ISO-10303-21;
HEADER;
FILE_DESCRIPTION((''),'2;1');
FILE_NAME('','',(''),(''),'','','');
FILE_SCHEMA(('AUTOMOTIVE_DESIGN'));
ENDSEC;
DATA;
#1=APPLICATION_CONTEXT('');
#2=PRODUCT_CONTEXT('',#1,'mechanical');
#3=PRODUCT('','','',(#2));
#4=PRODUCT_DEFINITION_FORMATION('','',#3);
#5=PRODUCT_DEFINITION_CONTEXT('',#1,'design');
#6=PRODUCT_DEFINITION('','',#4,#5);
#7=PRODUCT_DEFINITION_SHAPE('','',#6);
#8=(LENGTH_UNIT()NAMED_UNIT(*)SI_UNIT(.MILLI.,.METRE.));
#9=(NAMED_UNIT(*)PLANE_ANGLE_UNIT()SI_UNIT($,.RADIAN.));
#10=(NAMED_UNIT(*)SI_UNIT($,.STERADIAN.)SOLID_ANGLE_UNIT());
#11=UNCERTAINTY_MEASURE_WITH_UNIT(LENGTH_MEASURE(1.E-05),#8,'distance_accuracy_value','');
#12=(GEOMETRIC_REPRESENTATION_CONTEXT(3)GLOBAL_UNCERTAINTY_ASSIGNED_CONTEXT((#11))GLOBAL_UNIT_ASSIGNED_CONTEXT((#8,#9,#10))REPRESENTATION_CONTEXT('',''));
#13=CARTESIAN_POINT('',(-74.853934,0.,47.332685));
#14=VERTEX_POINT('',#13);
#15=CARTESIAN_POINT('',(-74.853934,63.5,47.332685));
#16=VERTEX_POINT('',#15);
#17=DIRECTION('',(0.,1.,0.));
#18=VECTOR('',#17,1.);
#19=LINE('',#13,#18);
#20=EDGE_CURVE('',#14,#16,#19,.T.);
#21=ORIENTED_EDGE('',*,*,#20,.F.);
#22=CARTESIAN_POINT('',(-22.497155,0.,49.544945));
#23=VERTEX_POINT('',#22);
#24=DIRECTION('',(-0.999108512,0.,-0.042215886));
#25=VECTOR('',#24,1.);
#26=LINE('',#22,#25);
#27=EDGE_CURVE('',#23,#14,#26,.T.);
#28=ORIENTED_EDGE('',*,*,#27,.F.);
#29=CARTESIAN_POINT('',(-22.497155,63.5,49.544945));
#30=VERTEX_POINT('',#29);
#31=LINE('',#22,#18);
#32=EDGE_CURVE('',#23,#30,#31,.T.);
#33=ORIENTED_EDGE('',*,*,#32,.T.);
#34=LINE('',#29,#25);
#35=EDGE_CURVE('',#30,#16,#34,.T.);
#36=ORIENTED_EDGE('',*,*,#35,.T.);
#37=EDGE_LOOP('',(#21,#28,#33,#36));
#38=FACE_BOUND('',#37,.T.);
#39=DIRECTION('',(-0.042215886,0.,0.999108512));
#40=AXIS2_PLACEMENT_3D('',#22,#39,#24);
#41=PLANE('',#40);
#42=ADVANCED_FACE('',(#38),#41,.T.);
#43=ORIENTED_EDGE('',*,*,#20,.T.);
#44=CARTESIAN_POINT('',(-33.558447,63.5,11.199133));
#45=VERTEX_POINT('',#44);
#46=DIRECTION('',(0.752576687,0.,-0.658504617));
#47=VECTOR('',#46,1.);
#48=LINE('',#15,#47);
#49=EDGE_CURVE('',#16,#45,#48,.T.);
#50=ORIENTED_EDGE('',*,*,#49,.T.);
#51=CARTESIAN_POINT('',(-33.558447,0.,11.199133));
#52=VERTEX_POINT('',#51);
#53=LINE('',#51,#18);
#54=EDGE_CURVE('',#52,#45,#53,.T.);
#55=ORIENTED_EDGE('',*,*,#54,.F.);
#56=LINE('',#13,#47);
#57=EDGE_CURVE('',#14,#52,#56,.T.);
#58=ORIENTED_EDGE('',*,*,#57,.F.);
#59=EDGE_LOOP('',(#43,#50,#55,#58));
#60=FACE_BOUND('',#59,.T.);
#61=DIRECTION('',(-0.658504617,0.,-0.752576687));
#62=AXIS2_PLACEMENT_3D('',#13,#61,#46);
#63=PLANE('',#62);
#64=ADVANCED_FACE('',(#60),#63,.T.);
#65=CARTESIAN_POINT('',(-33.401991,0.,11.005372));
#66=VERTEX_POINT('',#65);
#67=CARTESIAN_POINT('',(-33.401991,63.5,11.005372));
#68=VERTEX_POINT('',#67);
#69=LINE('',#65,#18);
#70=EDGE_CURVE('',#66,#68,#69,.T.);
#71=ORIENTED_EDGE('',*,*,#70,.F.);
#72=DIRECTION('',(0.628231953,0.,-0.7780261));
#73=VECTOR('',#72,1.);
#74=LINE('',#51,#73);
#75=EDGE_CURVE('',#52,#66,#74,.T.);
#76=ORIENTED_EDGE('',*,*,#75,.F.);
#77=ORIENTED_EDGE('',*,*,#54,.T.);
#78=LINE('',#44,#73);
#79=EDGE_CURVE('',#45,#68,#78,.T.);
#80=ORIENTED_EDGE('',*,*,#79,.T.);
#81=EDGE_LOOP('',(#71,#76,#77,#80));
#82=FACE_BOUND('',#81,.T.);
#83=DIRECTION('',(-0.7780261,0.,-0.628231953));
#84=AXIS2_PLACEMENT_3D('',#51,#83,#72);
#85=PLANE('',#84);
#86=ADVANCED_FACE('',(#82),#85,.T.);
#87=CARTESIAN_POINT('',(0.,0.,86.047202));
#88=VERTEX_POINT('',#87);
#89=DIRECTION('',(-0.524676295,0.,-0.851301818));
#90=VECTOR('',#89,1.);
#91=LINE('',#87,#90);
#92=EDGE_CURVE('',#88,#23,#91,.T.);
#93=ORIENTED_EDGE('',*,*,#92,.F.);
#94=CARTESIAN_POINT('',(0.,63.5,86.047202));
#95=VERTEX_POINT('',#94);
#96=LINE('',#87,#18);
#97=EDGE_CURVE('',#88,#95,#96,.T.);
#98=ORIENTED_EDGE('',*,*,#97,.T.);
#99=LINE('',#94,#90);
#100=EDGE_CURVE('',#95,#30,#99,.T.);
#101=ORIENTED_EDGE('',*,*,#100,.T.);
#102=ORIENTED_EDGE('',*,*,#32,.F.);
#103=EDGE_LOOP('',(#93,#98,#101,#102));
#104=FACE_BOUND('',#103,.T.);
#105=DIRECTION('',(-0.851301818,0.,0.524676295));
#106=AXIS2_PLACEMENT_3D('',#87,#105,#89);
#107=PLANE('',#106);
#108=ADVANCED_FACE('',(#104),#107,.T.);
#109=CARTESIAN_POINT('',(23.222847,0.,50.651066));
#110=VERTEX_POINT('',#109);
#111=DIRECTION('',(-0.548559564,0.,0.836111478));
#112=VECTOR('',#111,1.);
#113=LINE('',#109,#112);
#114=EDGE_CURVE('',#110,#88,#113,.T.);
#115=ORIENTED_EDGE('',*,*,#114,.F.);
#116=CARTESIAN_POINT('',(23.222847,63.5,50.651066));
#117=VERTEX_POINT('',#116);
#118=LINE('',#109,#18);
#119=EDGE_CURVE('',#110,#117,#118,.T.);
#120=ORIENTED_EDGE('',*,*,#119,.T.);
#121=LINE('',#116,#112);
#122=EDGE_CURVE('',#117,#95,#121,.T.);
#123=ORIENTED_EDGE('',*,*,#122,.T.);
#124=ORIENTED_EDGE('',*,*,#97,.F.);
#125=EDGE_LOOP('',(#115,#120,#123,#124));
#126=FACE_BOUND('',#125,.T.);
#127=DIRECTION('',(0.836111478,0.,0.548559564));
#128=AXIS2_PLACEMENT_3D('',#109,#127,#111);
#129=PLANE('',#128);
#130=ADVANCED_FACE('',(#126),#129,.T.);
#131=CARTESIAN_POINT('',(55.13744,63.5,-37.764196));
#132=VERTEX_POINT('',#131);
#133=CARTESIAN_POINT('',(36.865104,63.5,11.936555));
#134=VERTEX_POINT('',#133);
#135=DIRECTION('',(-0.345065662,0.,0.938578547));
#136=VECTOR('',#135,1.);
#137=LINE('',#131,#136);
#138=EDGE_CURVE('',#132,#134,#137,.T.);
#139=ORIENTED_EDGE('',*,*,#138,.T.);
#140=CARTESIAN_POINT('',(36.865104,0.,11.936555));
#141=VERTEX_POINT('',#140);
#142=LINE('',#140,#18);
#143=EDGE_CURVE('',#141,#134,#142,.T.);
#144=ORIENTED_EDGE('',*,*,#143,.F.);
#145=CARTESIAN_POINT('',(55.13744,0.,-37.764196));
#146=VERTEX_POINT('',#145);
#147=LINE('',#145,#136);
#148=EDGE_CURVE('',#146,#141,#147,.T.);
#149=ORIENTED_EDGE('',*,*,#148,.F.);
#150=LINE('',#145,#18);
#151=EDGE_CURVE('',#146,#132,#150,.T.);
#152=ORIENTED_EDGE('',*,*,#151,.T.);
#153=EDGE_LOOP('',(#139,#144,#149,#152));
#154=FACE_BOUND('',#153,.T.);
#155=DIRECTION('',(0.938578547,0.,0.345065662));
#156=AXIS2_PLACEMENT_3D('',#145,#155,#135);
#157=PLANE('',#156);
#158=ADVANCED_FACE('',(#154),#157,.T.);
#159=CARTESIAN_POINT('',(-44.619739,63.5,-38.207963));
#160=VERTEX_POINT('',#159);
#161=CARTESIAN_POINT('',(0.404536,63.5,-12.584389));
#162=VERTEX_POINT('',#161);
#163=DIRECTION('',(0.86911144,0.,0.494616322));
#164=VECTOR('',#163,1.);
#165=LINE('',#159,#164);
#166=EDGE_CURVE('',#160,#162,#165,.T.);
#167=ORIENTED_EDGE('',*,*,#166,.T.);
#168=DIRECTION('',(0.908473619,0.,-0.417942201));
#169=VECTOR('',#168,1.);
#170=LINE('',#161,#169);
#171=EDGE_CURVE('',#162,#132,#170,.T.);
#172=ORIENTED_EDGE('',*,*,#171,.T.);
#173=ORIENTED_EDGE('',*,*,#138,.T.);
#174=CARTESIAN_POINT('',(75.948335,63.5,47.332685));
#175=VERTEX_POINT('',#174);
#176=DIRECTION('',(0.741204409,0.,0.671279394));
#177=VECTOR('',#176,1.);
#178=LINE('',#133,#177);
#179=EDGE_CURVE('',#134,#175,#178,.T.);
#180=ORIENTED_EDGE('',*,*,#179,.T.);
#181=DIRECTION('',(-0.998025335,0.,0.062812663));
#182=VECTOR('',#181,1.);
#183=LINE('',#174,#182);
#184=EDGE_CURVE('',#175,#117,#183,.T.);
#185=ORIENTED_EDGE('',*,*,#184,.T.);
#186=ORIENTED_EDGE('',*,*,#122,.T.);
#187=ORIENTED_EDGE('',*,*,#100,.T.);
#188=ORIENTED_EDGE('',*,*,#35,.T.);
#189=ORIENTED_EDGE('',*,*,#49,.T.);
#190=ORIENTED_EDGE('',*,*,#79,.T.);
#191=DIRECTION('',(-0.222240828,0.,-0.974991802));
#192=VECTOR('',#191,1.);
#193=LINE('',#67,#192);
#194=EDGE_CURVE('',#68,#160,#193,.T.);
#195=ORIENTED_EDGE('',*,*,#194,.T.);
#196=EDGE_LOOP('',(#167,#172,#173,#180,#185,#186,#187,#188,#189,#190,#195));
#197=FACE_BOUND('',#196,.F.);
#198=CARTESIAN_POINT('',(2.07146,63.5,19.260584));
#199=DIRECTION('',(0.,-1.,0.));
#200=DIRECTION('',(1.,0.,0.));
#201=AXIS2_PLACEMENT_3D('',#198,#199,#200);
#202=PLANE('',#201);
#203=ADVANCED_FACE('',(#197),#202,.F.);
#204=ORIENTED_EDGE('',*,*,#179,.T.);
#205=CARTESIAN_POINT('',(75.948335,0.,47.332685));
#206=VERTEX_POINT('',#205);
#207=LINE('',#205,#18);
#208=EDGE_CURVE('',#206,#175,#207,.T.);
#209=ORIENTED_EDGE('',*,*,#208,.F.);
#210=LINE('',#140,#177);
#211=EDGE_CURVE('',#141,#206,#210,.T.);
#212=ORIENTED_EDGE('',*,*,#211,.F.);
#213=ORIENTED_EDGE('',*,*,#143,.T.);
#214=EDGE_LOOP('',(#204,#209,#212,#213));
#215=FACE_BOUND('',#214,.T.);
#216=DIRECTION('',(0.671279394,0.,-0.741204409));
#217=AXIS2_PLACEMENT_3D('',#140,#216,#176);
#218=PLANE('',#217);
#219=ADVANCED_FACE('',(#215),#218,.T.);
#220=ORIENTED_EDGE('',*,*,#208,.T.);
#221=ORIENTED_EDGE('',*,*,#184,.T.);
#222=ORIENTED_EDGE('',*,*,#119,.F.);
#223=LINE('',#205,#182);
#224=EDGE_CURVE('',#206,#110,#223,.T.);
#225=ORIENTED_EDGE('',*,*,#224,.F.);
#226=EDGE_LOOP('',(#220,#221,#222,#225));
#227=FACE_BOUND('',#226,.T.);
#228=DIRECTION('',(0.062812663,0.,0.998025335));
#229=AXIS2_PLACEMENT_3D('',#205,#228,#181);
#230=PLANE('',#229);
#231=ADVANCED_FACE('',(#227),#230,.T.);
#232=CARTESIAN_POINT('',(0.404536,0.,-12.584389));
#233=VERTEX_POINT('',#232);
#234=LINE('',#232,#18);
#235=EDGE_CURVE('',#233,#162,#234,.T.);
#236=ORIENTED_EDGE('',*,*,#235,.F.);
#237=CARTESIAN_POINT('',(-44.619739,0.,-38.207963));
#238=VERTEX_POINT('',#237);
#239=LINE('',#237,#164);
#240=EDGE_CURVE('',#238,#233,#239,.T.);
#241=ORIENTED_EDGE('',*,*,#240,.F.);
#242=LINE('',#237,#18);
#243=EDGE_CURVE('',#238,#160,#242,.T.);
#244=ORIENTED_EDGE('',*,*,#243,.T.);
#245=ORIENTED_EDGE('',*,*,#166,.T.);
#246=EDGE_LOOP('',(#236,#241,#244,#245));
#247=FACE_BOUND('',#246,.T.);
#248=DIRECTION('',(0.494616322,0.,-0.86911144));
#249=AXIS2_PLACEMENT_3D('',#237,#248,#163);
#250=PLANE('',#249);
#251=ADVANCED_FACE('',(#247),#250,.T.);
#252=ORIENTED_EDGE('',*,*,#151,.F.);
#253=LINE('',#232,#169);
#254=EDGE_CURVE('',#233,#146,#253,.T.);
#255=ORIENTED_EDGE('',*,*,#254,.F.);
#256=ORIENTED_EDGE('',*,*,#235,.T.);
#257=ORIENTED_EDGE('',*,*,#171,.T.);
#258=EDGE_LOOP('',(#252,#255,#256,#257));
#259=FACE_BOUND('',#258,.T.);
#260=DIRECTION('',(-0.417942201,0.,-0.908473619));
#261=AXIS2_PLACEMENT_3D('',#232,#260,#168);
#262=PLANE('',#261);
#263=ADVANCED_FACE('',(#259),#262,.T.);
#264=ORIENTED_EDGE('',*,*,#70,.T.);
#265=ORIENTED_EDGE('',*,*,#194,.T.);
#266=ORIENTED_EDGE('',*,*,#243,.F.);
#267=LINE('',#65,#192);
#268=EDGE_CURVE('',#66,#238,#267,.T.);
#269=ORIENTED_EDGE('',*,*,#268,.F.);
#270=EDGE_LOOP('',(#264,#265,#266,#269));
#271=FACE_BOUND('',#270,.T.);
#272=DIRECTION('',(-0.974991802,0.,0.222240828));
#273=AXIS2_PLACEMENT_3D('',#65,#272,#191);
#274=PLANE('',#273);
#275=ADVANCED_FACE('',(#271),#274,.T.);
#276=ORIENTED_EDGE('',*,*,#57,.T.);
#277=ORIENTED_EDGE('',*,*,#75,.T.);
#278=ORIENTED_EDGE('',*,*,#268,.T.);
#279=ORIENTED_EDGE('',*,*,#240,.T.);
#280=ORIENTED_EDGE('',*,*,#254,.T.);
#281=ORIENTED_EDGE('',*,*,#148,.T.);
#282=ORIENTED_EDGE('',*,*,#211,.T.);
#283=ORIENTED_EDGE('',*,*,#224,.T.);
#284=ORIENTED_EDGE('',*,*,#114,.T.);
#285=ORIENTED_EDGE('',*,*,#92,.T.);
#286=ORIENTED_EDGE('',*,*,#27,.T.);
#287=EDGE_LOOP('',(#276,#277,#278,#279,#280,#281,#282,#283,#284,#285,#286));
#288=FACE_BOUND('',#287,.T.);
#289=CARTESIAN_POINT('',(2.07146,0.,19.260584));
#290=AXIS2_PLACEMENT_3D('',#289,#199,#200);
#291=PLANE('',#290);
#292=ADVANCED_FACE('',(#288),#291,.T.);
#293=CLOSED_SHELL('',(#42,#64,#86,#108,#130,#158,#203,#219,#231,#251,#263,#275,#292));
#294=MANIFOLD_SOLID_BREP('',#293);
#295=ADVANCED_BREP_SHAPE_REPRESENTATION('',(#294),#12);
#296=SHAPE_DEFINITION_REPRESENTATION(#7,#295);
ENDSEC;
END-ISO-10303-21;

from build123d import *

# Parameters (mm, degrees)
F1_DEPTH = 63.5


with BuildPart() as f1:
    # F0 (on Front) → F1 (new body)
    with BuildSketch(Plane.XZ):
        Polygon((0, 86.047202), (-22.497155, 49.544945), (-74.853934, 47.332685), (-33.558447, 11.199133), (-33.401991, 11.005372), (-44.619739, -38.207963), (0.404536, -12.584389), (55.13744, -37.764196), (36.865104, 11.936555), (75.948335, 47.332685), (23.222847, 50.651066), align=None)
    extrude(amount=-F1_DEPTH)


solid = f1.part
